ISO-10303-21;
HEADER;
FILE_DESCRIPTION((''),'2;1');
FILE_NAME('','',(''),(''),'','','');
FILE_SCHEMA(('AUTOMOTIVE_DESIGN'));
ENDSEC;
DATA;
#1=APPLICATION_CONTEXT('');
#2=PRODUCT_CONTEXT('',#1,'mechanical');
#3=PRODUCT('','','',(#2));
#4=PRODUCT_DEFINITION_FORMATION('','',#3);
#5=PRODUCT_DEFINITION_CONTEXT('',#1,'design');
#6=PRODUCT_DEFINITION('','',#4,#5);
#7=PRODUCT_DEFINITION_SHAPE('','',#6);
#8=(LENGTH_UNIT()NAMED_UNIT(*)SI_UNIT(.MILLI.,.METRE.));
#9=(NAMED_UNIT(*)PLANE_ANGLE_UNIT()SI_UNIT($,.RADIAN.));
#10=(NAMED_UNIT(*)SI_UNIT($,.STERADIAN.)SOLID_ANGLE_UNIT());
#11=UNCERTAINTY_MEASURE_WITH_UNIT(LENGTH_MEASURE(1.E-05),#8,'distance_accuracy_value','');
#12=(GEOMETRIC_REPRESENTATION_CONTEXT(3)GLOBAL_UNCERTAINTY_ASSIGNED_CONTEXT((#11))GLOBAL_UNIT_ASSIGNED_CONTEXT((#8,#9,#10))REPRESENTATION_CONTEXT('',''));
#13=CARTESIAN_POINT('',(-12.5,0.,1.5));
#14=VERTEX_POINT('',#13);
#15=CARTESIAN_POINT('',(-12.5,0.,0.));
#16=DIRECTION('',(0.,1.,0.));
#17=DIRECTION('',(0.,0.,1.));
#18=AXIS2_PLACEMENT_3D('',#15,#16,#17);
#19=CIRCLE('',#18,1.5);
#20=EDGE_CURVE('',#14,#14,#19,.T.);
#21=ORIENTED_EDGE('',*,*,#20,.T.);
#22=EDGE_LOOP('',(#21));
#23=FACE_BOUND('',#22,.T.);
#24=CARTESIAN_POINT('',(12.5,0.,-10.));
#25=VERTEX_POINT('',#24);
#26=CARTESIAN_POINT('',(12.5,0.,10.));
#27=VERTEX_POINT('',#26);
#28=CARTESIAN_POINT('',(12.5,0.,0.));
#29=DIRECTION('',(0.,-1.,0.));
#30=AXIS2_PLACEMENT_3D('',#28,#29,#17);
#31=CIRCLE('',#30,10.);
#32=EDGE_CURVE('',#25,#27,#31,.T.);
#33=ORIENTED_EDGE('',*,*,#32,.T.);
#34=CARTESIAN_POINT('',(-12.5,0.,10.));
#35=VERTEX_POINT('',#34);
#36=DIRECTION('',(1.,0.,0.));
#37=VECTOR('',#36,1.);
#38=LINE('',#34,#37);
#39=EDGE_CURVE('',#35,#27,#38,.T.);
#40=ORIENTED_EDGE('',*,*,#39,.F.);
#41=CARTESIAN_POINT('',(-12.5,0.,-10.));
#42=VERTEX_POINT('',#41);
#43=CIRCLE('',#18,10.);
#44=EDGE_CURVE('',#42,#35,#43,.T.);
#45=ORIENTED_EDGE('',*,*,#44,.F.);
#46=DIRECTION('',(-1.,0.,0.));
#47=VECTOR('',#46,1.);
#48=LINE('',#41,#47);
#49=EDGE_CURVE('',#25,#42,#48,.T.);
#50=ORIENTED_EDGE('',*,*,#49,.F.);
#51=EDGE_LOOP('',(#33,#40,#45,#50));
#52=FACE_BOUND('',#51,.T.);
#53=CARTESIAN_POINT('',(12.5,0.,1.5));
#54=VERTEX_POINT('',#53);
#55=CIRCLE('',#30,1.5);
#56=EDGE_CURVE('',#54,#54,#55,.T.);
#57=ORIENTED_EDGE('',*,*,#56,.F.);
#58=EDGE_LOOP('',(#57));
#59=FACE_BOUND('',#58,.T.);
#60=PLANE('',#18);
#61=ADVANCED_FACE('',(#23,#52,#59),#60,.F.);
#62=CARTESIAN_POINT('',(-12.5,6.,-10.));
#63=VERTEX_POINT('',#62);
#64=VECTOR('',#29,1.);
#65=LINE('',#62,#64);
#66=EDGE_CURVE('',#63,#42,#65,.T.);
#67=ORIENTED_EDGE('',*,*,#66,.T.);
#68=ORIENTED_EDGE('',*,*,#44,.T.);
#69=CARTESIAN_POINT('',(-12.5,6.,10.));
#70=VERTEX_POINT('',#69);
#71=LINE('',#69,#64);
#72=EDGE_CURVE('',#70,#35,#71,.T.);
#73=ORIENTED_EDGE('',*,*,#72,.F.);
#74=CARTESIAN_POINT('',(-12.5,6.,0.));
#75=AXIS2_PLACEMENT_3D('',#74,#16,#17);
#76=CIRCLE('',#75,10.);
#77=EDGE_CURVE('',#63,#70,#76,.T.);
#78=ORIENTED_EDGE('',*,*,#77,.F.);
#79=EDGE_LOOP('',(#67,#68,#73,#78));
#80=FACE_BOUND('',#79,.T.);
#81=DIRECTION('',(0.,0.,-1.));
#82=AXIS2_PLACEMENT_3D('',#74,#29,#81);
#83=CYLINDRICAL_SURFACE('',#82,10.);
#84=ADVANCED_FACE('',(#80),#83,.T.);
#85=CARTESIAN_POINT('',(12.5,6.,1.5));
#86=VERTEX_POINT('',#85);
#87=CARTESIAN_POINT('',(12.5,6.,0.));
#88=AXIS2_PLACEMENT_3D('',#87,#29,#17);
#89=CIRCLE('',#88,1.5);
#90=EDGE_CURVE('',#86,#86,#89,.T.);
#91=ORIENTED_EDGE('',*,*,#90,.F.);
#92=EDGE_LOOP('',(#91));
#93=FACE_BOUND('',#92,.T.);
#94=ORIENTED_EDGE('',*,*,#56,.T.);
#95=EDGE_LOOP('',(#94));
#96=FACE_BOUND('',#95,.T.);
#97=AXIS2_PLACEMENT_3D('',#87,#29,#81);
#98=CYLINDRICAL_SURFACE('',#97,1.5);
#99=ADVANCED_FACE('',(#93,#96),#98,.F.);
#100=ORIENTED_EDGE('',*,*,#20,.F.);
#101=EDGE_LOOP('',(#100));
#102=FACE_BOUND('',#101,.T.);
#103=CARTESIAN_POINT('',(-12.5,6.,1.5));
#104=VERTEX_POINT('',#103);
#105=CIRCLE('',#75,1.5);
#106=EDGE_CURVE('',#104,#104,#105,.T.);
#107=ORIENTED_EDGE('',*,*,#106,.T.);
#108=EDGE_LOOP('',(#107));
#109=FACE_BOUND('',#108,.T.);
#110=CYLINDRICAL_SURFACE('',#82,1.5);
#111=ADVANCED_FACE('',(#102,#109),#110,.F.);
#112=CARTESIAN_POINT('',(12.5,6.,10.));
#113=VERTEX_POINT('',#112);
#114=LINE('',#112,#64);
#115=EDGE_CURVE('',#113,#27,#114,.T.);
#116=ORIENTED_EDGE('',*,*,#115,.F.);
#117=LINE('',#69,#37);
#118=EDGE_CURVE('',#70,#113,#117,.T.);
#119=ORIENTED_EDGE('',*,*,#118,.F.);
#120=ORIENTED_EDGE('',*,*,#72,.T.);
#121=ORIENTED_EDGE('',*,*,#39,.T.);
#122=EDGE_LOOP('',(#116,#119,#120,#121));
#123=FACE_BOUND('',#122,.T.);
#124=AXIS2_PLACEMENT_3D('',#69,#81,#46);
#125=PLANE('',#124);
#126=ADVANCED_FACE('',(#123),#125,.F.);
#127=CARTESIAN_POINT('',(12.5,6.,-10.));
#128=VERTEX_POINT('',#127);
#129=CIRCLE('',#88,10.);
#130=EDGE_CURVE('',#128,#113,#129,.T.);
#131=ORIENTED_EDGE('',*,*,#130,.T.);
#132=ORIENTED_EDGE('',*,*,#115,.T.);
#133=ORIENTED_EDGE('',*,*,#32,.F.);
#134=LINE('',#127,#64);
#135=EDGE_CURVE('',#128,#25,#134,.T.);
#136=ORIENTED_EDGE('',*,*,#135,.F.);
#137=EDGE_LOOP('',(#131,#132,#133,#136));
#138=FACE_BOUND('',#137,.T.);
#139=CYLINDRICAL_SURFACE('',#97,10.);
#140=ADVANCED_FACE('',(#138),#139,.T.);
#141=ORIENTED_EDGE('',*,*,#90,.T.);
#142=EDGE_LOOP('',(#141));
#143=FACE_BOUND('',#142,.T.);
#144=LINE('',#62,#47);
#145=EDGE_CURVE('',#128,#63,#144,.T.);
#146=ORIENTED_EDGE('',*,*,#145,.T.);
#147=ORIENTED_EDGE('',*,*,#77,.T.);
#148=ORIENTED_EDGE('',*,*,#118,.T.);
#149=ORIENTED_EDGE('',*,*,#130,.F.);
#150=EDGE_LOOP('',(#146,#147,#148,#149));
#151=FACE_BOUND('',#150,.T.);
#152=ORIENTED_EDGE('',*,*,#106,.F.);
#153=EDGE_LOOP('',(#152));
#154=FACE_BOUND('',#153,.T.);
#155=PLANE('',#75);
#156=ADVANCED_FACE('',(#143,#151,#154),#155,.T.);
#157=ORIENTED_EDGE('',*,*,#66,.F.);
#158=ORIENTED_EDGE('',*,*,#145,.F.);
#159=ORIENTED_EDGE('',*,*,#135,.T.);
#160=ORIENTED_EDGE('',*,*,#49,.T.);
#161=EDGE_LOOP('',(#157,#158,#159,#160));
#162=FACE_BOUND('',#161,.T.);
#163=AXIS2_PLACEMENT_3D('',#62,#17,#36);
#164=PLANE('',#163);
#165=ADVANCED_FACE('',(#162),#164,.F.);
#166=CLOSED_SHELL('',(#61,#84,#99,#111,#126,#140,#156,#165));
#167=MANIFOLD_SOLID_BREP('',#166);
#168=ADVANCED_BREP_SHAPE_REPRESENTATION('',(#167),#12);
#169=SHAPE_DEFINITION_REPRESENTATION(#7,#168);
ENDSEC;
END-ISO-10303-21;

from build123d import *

# Parameters (mm, degrees)
SKETCH1_R           = 1.5
BOSS_EXTRUDE1_DEPTH = 6


with BuildPart() as part:
    # Sketch1 → Boss-Extrude1 (new body)
    with BuildSketch(Plane(origin=(0, 0, 0), x_dir=(1, 0, 0), z_dir=(0, 1, 0))):
        with BuildLine():
            Line((-12.5, 10), (0, 10))
            Line((0, 10), (0, -10))
            Line((0, -10), (-12.5, -10))
            ThreePointArc((-12.5, -10), (-22.5, 0), (-12.5, 10))
        make_face()
        with Locations(Location((-12.5, 0, 0), (0, 0, 270))):
            Circle(SKETCH1_R, mode=Mode.SUBTRACT)
    boss_extrude1 = extrude(amount=BOSS_EXTRUDE1_DEPTH)

    # Mirror1: Boss-Extrude1 across plane
    add(boss_extrude1.mirror(Plane(origin=(0, 6, -10), x_dir=(0, 0, 1), z_dir=(-1, 0, 0))))


solid = part.part
